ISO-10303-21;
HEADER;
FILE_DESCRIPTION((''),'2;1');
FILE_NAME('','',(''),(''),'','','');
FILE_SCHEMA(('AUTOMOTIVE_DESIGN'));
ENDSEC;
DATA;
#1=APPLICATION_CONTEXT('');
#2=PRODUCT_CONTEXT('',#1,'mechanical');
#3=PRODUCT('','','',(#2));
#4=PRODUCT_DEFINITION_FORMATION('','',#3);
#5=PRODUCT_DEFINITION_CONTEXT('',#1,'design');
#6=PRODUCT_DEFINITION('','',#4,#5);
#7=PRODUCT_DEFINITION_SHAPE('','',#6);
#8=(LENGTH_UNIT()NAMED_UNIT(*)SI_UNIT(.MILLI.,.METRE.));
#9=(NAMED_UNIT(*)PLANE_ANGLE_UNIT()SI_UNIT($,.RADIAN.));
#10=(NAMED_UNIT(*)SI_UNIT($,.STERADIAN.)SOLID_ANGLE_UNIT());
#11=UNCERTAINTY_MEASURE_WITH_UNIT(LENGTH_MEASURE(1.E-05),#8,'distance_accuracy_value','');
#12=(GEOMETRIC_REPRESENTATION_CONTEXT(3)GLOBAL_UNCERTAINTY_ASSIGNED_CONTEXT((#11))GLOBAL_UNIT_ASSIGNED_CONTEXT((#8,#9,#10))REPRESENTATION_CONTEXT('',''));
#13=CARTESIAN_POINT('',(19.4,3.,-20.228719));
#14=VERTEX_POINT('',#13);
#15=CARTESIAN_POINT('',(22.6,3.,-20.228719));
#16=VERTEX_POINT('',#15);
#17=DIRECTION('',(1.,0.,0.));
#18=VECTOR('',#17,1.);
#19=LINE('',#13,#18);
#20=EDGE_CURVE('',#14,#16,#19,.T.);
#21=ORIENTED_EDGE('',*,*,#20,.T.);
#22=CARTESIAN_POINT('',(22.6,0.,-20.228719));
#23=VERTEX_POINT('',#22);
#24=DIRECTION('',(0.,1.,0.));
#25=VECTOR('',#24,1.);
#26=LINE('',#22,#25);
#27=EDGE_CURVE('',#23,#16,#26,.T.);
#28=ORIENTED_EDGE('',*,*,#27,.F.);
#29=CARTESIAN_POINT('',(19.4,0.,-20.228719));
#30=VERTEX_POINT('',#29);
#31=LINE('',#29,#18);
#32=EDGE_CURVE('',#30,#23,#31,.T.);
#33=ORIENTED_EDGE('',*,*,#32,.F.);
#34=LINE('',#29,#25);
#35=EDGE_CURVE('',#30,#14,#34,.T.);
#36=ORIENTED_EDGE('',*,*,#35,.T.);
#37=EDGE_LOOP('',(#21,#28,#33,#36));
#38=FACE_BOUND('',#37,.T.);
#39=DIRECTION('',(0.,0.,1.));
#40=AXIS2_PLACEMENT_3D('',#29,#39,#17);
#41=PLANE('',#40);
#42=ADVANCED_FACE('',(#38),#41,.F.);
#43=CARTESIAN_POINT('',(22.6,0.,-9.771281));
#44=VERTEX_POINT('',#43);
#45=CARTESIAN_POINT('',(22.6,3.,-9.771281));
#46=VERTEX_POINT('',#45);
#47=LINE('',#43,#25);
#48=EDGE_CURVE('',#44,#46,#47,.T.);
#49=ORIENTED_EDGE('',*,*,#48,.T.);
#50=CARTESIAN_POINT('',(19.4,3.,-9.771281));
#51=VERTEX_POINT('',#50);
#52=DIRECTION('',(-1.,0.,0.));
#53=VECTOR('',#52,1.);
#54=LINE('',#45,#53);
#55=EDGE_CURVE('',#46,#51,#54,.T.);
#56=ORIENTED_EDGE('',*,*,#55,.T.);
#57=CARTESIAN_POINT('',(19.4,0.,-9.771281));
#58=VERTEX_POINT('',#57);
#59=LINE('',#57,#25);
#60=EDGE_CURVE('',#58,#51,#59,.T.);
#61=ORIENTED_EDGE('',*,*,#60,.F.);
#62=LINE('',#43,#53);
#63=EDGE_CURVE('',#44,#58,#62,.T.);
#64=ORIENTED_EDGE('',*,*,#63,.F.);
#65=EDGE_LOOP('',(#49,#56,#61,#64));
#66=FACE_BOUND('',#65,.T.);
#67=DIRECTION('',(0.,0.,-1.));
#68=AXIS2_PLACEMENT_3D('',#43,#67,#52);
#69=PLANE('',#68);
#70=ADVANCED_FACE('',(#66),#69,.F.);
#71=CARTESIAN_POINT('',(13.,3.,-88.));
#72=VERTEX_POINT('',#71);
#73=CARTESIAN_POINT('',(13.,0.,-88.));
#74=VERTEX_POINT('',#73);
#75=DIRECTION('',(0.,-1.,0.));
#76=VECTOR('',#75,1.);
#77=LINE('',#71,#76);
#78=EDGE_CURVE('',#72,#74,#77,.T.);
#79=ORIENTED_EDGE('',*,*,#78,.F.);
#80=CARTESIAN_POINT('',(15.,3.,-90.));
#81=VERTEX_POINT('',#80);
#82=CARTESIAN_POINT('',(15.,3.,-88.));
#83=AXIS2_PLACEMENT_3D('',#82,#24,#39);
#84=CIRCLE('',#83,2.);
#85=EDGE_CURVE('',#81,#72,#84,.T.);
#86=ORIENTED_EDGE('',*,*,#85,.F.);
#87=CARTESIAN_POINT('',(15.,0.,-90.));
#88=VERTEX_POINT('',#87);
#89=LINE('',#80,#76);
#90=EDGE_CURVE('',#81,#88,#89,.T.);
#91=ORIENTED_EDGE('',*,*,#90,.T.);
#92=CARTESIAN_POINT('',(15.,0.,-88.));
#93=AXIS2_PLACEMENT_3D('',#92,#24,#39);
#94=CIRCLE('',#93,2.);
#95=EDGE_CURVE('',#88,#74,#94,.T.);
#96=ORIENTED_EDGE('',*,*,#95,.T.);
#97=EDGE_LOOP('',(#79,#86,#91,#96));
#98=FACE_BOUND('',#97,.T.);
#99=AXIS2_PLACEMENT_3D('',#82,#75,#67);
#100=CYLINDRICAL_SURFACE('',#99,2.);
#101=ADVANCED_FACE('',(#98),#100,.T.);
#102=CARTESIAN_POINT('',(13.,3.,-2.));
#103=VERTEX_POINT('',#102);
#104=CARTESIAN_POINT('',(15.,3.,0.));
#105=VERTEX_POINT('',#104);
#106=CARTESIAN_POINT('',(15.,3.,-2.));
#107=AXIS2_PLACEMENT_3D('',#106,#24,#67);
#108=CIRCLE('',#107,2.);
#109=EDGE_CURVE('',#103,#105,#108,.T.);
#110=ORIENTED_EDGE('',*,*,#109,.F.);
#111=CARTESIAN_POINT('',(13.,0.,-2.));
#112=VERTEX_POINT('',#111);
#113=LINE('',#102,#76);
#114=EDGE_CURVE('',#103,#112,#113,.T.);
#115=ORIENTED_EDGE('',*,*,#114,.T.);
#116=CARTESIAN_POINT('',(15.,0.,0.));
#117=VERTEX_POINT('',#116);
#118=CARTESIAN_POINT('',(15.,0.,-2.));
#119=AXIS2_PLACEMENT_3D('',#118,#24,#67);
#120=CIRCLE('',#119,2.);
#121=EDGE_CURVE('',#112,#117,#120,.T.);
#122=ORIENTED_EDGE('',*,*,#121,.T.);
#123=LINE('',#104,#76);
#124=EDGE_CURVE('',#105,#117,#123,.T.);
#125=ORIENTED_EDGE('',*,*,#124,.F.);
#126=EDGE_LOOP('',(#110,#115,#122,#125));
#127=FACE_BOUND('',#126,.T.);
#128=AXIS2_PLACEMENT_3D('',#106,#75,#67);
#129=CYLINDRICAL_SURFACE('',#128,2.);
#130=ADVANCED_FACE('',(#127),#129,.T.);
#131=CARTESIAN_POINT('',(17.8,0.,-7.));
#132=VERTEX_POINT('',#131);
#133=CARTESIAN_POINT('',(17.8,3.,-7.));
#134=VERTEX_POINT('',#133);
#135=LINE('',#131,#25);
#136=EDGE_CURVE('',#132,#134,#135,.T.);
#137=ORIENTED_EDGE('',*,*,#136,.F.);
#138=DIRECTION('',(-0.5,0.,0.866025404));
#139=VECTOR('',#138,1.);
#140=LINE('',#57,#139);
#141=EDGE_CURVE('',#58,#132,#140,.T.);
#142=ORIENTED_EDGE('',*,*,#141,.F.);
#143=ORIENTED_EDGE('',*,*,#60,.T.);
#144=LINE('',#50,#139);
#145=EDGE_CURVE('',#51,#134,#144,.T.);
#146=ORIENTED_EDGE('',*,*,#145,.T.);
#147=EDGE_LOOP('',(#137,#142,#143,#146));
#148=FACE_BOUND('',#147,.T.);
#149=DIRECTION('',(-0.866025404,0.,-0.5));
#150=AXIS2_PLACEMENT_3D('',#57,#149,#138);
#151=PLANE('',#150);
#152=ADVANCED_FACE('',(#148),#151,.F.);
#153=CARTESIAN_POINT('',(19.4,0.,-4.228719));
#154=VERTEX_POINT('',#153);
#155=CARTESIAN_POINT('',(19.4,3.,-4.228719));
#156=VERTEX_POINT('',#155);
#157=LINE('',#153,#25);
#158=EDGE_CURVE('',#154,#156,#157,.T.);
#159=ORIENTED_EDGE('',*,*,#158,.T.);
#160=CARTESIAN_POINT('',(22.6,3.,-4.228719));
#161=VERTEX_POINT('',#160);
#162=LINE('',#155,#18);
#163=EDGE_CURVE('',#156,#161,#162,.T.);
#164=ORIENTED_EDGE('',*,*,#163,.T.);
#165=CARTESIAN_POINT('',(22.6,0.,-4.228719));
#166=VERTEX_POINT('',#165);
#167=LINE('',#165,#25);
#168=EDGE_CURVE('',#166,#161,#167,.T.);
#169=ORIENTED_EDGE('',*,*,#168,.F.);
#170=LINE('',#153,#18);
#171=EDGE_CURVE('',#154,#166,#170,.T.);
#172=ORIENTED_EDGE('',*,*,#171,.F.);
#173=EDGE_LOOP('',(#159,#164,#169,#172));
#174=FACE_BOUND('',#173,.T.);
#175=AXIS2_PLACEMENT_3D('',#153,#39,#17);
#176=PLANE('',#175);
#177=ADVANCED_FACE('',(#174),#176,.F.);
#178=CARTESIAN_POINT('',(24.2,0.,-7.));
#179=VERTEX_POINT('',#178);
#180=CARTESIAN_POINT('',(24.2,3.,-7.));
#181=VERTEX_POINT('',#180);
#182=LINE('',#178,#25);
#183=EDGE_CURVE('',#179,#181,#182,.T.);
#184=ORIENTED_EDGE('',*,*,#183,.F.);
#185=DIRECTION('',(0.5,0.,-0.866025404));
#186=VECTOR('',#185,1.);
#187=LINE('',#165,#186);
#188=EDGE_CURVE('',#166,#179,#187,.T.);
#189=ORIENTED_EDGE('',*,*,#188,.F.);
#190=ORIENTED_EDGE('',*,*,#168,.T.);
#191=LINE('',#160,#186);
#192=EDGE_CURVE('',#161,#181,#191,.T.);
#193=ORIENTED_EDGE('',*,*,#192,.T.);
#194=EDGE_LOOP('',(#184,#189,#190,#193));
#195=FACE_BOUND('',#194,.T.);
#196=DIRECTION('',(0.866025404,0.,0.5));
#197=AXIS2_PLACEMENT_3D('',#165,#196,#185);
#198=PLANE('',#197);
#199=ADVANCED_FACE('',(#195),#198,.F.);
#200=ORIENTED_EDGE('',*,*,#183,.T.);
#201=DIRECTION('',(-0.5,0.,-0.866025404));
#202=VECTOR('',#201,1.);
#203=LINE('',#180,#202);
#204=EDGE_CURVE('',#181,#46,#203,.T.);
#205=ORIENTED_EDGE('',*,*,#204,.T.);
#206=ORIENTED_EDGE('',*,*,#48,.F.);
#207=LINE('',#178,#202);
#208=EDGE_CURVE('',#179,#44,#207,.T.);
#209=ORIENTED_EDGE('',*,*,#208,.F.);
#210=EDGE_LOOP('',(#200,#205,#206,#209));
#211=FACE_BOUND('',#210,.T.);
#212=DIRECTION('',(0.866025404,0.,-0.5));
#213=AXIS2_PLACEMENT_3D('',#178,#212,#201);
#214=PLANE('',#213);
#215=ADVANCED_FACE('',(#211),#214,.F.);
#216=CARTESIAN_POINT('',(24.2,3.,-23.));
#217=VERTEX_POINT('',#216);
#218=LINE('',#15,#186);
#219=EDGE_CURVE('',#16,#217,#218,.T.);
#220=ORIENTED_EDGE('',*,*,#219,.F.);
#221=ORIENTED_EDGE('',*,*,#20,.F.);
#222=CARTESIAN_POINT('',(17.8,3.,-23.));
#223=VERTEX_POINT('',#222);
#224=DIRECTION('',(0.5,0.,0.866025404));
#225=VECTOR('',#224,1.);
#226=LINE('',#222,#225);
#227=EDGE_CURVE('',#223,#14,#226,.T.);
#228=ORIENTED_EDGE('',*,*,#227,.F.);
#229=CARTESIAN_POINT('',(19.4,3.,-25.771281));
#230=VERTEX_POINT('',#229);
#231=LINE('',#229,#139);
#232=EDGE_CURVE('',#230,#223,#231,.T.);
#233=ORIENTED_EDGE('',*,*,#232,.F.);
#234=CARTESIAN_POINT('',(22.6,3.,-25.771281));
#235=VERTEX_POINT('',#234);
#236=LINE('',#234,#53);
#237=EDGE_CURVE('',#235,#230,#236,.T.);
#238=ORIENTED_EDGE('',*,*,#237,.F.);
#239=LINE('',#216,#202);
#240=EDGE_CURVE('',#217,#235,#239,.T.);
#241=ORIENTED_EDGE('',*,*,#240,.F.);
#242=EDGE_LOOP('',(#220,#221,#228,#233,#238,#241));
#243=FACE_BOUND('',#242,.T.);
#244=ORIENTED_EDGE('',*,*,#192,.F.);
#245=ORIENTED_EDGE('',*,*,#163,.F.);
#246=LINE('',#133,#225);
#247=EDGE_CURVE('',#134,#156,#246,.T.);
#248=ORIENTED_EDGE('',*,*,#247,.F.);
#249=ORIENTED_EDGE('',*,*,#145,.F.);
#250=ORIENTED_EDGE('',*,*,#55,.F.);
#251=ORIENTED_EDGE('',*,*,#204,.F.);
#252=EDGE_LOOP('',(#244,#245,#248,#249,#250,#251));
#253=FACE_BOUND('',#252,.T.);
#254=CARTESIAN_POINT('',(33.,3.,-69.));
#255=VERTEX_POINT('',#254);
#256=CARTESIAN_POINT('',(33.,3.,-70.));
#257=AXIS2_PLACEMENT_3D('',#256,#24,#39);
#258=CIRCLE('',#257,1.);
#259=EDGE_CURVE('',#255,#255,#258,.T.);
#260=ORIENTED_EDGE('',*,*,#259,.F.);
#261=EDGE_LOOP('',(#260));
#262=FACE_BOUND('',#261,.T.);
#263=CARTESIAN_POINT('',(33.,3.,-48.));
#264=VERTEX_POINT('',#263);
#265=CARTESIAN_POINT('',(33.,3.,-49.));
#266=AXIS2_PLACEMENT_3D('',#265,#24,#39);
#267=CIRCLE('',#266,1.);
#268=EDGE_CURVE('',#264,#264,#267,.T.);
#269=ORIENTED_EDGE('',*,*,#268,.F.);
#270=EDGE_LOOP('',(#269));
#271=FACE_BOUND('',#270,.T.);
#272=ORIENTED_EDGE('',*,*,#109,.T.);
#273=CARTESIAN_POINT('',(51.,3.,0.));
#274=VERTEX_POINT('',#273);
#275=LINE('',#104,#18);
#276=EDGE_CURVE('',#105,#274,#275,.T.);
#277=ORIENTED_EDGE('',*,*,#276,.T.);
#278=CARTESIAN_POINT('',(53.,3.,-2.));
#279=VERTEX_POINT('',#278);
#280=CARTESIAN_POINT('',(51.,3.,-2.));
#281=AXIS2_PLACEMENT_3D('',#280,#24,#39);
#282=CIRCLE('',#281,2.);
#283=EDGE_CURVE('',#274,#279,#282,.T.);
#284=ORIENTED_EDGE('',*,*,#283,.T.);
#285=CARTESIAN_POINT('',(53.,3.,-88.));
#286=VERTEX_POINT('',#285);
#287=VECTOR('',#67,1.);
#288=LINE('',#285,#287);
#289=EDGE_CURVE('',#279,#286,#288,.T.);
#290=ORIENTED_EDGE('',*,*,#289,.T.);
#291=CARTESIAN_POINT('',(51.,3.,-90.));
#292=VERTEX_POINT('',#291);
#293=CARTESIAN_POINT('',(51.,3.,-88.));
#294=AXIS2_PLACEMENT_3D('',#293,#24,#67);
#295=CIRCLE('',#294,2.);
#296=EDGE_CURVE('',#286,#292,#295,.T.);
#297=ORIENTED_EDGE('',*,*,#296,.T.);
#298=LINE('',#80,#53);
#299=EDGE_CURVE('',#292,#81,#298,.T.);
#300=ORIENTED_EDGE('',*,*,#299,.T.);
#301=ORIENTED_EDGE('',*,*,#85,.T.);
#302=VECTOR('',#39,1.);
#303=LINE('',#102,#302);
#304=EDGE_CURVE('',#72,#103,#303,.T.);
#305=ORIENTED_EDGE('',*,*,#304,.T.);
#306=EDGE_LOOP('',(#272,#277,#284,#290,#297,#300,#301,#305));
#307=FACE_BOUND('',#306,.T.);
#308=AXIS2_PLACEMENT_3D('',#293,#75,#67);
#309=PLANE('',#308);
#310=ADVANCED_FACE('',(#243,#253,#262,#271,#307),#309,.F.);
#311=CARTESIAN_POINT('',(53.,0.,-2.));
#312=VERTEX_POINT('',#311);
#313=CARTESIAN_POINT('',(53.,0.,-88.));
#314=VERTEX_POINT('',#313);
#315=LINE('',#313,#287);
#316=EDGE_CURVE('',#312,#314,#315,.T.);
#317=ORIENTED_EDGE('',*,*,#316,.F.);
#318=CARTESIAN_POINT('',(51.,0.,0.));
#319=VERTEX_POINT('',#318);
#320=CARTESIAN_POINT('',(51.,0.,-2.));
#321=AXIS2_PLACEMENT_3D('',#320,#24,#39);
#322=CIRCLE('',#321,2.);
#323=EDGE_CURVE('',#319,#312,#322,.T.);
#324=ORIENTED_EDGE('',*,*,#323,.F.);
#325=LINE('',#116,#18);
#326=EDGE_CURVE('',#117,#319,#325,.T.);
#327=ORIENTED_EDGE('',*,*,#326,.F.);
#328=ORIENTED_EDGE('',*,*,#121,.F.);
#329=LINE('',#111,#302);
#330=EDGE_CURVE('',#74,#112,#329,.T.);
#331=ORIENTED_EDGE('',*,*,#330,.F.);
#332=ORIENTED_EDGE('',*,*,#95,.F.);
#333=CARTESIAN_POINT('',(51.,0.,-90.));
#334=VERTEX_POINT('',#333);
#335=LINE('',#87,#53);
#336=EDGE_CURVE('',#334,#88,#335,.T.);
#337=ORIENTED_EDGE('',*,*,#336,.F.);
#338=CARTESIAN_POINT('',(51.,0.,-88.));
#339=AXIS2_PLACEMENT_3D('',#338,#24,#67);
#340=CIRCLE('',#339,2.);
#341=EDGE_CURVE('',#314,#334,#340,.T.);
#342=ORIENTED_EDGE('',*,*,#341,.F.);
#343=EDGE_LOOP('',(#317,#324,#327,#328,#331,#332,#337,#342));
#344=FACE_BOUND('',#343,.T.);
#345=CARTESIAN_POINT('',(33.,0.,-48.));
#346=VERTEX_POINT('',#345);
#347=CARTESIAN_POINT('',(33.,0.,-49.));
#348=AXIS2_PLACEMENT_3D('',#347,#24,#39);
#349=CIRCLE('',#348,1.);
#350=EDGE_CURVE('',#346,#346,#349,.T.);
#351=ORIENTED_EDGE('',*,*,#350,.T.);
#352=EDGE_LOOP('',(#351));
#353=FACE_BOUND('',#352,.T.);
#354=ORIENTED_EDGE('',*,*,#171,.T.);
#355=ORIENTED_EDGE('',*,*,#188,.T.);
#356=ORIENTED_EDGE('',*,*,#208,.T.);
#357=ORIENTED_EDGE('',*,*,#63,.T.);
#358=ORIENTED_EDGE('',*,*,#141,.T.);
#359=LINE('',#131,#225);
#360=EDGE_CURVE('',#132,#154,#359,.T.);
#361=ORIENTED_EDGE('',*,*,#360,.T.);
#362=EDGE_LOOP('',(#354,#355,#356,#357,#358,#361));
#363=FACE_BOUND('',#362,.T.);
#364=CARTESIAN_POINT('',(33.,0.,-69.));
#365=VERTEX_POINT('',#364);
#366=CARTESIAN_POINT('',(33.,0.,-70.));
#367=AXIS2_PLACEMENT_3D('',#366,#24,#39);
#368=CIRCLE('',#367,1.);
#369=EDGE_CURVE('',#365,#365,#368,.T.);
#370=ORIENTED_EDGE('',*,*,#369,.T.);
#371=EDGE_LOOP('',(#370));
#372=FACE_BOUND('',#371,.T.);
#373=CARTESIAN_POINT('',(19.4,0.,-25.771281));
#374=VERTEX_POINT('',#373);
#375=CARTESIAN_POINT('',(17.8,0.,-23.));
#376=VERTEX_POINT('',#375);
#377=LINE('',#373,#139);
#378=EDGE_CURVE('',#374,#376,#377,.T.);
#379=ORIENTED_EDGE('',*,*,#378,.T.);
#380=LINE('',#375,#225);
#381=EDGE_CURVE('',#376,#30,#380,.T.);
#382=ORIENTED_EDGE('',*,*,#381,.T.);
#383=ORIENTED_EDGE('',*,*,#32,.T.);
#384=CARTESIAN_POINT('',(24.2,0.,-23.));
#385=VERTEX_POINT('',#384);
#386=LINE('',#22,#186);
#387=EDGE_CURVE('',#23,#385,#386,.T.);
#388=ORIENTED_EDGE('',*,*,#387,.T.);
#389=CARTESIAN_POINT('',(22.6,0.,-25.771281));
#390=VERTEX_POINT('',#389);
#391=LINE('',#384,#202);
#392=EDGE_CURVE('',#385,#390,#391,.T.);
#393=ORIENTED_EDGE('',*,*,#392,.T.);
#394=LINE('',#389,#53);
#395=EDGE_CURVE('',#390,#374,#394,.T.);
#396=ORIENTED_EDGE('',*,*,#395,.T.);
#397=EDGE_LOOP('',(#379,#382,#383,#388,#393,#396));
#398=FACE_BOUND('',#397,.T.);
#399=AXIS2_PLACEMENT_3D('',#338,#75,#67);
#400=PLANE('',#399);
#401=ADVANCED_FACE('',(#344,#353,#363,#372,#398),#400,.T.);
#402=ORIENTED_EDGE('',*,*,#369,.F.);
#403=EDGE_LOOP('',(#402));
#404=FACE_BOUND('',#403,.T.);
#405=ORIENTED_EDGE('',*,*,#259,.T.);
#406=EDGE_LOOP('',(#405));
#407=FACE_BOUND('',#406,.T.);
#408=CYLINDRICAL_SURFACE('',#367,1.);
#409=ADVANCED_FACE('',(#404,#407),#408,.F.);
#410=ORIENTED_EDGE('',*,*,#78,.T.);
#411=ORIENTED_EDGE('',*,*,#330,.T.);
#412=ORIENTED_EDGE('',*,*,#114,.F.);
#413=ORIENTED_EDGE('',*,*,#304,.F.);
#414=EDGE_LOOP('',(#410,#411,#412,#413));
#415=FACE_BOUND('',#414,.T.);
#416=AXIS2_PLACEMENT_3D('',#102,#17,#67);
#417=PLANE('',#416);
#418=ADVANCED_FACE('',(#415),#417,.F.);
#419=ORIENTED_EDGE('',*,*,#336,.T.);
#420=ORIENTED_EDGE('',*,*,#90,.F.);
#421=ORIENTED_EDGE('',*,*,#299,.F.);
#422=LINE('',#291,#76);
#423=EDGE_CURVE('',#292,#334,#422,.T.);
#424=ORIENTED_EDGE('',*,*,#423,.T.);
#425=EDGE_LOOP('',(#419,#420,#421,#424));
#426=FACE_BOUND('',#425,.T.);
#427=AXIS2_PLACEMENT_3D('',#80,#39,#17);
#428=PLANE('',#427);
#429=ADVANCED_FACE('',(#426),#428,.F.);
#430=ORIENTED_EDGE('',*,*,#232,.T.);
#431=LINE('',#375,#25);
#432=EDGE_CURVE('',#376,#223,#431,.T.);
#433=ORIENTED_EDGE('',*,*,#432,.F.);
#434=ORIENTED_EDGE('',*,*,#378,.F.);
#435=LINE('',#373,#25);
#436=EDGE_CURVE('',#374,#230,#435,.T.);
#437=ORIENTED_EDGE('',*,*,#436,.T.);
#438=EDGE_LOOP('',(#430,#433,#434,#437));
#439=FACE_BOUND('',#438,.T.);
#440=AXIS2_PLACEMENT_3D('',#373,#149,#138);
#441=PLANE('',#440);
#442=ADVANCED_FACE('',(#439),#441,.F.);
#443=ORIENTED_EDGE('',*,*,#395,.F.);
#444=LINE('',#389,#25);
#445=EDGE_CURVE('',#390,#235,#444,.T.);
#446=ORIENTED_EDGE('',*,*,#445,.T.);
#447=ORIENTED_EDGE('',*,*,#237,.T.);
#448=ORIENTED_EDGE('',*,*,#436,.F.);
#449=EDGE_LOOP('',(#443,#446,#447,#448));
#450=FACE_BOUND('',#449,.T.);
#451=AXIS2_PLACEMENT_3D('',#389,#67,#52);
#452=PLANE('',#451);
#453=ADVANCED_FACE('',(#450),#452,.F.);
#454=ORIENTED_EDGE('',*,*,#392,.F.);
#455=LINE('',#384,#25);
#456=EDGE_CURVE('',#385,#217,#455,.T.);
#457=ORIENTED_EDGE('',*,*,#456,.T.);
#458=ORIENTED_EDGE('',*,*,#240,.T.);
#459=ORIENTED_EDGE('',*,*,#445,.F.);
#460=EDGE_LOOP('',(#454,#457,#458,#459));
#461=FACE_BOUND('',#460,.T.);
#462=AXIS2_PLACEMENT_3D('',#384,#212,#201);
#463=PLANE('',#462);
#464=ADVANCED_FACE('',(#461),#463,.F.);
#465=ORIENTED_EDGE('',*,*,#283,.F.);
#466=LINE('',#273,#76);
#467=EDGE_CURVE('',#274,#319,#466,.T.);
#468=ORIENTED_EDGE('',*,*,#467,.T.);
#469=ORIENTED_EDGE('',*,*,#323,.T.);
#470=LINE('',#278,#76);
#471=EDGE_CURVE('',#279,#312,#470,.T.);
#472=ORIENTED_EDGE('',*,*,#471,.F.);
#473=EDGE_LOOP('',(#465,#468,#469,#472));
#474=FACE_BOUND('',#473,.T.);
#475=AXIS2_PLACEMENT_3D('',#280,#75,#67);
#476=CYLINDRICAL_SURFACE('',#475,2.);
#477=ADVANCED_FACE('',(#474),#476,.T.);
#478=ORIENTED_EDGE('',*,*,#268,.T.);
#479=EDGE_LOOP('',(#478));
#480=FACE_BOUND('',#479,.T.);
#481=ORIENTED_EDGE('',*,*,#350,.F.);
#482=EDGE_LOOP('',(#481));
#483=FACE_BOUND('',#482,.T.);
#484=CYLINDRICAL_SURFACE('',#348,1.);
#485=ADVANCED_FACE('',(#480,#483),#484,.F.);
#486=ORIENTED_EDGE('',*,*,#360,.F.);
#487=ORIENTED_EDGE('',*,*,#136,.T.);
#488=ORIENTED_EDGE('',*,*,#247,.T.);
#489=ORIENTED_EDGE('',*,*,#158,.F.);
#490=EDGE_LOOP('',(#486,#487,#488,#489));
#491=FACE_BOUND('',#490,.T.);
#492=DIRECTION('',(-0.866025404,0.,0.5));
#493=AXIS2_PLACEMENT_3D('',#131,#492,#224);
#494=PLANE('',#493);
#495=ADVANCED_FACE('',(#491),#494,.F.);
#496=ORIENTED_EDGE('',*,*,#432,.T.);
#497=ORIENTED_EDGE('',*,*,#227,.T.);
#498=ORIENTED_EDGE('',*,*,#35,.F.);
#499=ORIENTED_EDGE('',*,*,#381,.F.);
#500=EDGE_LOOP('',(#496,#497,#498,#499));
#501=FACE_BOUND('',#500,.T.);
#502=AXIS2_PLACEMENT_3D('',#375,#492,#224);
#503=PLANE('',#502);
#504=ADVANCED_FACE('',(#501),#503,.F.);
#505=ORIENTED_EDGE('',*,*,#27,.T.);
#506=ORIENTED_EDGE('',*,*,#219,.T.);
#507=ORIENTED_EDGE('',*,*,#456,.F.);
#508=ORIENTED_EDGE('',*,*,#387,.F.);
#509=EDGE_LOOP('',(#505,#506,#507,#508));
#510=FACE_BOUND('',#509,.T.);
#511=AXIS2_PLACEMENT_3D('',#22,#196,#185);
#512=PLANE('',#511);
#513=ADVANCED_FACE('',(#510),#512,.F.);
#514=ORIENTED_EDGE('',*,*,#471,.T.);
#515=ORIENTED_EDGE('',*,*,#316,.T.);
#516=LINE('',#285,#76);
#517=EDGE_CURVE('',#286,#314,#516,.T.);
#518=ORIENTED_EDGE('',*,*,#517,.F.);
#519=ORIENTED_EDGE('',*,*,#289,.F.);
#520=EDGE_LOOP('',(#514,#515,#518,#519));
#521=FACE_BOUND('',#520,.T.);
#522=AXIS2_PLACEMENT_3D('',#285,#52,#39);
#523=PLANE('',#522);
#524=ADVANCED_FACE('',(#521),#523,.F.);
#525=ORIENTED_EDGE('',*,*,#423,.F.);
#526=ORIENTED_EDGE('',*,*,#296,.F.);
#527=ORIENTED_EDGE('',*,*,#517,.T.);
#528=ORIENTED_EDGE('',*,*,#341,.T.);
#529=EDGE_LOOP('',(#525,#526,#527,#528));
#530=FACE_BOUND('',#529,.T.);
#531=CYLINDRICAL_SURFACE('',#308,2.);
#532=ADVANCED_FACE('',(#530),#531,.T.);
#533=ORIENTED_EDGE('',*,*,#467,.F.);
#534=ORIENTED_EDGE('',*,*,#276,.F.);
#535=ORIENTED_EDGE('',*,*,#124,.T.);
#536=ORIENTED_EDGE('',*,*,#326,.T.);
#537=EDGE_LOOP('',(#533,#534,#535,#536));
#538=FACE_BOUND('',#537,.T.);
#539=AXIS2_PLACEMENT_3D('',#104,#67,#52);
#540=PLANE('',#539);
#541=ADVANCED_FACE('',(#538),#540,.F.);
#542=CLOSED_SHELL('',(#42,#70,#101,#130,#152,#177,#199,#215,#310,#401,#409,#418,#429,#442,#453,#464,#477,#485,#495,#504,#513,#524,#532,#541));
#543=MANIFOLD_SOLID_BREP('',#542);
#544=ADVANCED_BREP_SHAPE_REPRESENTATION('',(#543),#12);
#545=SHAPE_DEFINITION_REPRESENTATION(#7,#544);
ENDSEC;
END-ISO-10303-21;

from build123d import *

# Parameters (mm, degrees)
EXTRUSION1_DEPTH        = 3
ESQUISSE2_R             = 1.1
ENL_V_MAT_EXTRU_1_DEPTH = 4
ESQUISSE3_R             = 1
ENL_V_MAT_EXTRU_2_DEPTH = 4


with BuildPart() as part:
    # Esquisse1 → Extrusion1 (new body)
    with BuildSketch(Plane(origin=(0, 0, 0), x_dir=(1, 0, 0), z_dir=(0, 1, 0))):
        with BuildLine():
            Line((13, 2), (13, 88))
            ThreePointArc((13, 88), (13.585786438, 89.414213562), (15, 90))
            Line((15, 90), (51, 90))
            ThreePointArc((51, 90), (52.414213562, 89.414213562), (53, 88))
            Line((53, 88), (53, 2))
            ThreePointArc((53, 2), (52.414213562, 0.585786438), (51, 0))
            Line((51, 0), (15, 0))
            ThreePointArc((15, 0), (13.585786438, 0.585786438), (13, 2))
        make_face()
    extrude(amount=EXTRUSION1_DEPTH)

    # Esquisse2 → Enlèv. mat.-Extru.1 (cut, through all)
    with BuildSketch(Plane.XZ):
        with Locations(Location((21, -7, 0), (0, 0, 90))):  # turned: the seam where the file's is
            Circle(ESQUISSE2_R)
        with Locations(Location((21, -23, 0), (0, 0, 90))):  # turned: the seam where the file's is
            Circle(ESQUISSE2_R)
    extrude(amount=-ENL_V_MAT_EXTRU_1_DEPTH, mode=Mode.SUBTRACT)

    # Esquisse3 → Enlèv. mat.-Extru.2 (cut, through all)
    with BuildSketch(Plane(origin=(0, 3, 0), x_dir=(1, 0, 0), z_dir=(0, 1, 0))):
        with Locations(Location((33, 70, 0), (0, 0, 270))):  # turned: the seam where the file's is
            Circle(ESQUISSE3_R)
        with Locations(Location((33, 49, 0), (0, 0, 270))):  # turned: the seam where the file's is
            Circle(ESQUISSE3_R)
        Polygon((17.8, 23), (19.4, 20.228718708), (22.6, 20.228718708), (24.2, 23), (22.6, 25.771281292), (19.4, 25.771281292), align=None)
        Polygon((17.8, 7), (19.4, 4.228718708), (22.6, 4.228718708), (24.2, 7), (22.6, 9.771281292), (19.4, 9.771281292), align=None)
    extrude(amount=-ENL_V_MAT_EXTRU_2_DEPTH, mode=Mode.SUBTRACT)


solid = part.part
